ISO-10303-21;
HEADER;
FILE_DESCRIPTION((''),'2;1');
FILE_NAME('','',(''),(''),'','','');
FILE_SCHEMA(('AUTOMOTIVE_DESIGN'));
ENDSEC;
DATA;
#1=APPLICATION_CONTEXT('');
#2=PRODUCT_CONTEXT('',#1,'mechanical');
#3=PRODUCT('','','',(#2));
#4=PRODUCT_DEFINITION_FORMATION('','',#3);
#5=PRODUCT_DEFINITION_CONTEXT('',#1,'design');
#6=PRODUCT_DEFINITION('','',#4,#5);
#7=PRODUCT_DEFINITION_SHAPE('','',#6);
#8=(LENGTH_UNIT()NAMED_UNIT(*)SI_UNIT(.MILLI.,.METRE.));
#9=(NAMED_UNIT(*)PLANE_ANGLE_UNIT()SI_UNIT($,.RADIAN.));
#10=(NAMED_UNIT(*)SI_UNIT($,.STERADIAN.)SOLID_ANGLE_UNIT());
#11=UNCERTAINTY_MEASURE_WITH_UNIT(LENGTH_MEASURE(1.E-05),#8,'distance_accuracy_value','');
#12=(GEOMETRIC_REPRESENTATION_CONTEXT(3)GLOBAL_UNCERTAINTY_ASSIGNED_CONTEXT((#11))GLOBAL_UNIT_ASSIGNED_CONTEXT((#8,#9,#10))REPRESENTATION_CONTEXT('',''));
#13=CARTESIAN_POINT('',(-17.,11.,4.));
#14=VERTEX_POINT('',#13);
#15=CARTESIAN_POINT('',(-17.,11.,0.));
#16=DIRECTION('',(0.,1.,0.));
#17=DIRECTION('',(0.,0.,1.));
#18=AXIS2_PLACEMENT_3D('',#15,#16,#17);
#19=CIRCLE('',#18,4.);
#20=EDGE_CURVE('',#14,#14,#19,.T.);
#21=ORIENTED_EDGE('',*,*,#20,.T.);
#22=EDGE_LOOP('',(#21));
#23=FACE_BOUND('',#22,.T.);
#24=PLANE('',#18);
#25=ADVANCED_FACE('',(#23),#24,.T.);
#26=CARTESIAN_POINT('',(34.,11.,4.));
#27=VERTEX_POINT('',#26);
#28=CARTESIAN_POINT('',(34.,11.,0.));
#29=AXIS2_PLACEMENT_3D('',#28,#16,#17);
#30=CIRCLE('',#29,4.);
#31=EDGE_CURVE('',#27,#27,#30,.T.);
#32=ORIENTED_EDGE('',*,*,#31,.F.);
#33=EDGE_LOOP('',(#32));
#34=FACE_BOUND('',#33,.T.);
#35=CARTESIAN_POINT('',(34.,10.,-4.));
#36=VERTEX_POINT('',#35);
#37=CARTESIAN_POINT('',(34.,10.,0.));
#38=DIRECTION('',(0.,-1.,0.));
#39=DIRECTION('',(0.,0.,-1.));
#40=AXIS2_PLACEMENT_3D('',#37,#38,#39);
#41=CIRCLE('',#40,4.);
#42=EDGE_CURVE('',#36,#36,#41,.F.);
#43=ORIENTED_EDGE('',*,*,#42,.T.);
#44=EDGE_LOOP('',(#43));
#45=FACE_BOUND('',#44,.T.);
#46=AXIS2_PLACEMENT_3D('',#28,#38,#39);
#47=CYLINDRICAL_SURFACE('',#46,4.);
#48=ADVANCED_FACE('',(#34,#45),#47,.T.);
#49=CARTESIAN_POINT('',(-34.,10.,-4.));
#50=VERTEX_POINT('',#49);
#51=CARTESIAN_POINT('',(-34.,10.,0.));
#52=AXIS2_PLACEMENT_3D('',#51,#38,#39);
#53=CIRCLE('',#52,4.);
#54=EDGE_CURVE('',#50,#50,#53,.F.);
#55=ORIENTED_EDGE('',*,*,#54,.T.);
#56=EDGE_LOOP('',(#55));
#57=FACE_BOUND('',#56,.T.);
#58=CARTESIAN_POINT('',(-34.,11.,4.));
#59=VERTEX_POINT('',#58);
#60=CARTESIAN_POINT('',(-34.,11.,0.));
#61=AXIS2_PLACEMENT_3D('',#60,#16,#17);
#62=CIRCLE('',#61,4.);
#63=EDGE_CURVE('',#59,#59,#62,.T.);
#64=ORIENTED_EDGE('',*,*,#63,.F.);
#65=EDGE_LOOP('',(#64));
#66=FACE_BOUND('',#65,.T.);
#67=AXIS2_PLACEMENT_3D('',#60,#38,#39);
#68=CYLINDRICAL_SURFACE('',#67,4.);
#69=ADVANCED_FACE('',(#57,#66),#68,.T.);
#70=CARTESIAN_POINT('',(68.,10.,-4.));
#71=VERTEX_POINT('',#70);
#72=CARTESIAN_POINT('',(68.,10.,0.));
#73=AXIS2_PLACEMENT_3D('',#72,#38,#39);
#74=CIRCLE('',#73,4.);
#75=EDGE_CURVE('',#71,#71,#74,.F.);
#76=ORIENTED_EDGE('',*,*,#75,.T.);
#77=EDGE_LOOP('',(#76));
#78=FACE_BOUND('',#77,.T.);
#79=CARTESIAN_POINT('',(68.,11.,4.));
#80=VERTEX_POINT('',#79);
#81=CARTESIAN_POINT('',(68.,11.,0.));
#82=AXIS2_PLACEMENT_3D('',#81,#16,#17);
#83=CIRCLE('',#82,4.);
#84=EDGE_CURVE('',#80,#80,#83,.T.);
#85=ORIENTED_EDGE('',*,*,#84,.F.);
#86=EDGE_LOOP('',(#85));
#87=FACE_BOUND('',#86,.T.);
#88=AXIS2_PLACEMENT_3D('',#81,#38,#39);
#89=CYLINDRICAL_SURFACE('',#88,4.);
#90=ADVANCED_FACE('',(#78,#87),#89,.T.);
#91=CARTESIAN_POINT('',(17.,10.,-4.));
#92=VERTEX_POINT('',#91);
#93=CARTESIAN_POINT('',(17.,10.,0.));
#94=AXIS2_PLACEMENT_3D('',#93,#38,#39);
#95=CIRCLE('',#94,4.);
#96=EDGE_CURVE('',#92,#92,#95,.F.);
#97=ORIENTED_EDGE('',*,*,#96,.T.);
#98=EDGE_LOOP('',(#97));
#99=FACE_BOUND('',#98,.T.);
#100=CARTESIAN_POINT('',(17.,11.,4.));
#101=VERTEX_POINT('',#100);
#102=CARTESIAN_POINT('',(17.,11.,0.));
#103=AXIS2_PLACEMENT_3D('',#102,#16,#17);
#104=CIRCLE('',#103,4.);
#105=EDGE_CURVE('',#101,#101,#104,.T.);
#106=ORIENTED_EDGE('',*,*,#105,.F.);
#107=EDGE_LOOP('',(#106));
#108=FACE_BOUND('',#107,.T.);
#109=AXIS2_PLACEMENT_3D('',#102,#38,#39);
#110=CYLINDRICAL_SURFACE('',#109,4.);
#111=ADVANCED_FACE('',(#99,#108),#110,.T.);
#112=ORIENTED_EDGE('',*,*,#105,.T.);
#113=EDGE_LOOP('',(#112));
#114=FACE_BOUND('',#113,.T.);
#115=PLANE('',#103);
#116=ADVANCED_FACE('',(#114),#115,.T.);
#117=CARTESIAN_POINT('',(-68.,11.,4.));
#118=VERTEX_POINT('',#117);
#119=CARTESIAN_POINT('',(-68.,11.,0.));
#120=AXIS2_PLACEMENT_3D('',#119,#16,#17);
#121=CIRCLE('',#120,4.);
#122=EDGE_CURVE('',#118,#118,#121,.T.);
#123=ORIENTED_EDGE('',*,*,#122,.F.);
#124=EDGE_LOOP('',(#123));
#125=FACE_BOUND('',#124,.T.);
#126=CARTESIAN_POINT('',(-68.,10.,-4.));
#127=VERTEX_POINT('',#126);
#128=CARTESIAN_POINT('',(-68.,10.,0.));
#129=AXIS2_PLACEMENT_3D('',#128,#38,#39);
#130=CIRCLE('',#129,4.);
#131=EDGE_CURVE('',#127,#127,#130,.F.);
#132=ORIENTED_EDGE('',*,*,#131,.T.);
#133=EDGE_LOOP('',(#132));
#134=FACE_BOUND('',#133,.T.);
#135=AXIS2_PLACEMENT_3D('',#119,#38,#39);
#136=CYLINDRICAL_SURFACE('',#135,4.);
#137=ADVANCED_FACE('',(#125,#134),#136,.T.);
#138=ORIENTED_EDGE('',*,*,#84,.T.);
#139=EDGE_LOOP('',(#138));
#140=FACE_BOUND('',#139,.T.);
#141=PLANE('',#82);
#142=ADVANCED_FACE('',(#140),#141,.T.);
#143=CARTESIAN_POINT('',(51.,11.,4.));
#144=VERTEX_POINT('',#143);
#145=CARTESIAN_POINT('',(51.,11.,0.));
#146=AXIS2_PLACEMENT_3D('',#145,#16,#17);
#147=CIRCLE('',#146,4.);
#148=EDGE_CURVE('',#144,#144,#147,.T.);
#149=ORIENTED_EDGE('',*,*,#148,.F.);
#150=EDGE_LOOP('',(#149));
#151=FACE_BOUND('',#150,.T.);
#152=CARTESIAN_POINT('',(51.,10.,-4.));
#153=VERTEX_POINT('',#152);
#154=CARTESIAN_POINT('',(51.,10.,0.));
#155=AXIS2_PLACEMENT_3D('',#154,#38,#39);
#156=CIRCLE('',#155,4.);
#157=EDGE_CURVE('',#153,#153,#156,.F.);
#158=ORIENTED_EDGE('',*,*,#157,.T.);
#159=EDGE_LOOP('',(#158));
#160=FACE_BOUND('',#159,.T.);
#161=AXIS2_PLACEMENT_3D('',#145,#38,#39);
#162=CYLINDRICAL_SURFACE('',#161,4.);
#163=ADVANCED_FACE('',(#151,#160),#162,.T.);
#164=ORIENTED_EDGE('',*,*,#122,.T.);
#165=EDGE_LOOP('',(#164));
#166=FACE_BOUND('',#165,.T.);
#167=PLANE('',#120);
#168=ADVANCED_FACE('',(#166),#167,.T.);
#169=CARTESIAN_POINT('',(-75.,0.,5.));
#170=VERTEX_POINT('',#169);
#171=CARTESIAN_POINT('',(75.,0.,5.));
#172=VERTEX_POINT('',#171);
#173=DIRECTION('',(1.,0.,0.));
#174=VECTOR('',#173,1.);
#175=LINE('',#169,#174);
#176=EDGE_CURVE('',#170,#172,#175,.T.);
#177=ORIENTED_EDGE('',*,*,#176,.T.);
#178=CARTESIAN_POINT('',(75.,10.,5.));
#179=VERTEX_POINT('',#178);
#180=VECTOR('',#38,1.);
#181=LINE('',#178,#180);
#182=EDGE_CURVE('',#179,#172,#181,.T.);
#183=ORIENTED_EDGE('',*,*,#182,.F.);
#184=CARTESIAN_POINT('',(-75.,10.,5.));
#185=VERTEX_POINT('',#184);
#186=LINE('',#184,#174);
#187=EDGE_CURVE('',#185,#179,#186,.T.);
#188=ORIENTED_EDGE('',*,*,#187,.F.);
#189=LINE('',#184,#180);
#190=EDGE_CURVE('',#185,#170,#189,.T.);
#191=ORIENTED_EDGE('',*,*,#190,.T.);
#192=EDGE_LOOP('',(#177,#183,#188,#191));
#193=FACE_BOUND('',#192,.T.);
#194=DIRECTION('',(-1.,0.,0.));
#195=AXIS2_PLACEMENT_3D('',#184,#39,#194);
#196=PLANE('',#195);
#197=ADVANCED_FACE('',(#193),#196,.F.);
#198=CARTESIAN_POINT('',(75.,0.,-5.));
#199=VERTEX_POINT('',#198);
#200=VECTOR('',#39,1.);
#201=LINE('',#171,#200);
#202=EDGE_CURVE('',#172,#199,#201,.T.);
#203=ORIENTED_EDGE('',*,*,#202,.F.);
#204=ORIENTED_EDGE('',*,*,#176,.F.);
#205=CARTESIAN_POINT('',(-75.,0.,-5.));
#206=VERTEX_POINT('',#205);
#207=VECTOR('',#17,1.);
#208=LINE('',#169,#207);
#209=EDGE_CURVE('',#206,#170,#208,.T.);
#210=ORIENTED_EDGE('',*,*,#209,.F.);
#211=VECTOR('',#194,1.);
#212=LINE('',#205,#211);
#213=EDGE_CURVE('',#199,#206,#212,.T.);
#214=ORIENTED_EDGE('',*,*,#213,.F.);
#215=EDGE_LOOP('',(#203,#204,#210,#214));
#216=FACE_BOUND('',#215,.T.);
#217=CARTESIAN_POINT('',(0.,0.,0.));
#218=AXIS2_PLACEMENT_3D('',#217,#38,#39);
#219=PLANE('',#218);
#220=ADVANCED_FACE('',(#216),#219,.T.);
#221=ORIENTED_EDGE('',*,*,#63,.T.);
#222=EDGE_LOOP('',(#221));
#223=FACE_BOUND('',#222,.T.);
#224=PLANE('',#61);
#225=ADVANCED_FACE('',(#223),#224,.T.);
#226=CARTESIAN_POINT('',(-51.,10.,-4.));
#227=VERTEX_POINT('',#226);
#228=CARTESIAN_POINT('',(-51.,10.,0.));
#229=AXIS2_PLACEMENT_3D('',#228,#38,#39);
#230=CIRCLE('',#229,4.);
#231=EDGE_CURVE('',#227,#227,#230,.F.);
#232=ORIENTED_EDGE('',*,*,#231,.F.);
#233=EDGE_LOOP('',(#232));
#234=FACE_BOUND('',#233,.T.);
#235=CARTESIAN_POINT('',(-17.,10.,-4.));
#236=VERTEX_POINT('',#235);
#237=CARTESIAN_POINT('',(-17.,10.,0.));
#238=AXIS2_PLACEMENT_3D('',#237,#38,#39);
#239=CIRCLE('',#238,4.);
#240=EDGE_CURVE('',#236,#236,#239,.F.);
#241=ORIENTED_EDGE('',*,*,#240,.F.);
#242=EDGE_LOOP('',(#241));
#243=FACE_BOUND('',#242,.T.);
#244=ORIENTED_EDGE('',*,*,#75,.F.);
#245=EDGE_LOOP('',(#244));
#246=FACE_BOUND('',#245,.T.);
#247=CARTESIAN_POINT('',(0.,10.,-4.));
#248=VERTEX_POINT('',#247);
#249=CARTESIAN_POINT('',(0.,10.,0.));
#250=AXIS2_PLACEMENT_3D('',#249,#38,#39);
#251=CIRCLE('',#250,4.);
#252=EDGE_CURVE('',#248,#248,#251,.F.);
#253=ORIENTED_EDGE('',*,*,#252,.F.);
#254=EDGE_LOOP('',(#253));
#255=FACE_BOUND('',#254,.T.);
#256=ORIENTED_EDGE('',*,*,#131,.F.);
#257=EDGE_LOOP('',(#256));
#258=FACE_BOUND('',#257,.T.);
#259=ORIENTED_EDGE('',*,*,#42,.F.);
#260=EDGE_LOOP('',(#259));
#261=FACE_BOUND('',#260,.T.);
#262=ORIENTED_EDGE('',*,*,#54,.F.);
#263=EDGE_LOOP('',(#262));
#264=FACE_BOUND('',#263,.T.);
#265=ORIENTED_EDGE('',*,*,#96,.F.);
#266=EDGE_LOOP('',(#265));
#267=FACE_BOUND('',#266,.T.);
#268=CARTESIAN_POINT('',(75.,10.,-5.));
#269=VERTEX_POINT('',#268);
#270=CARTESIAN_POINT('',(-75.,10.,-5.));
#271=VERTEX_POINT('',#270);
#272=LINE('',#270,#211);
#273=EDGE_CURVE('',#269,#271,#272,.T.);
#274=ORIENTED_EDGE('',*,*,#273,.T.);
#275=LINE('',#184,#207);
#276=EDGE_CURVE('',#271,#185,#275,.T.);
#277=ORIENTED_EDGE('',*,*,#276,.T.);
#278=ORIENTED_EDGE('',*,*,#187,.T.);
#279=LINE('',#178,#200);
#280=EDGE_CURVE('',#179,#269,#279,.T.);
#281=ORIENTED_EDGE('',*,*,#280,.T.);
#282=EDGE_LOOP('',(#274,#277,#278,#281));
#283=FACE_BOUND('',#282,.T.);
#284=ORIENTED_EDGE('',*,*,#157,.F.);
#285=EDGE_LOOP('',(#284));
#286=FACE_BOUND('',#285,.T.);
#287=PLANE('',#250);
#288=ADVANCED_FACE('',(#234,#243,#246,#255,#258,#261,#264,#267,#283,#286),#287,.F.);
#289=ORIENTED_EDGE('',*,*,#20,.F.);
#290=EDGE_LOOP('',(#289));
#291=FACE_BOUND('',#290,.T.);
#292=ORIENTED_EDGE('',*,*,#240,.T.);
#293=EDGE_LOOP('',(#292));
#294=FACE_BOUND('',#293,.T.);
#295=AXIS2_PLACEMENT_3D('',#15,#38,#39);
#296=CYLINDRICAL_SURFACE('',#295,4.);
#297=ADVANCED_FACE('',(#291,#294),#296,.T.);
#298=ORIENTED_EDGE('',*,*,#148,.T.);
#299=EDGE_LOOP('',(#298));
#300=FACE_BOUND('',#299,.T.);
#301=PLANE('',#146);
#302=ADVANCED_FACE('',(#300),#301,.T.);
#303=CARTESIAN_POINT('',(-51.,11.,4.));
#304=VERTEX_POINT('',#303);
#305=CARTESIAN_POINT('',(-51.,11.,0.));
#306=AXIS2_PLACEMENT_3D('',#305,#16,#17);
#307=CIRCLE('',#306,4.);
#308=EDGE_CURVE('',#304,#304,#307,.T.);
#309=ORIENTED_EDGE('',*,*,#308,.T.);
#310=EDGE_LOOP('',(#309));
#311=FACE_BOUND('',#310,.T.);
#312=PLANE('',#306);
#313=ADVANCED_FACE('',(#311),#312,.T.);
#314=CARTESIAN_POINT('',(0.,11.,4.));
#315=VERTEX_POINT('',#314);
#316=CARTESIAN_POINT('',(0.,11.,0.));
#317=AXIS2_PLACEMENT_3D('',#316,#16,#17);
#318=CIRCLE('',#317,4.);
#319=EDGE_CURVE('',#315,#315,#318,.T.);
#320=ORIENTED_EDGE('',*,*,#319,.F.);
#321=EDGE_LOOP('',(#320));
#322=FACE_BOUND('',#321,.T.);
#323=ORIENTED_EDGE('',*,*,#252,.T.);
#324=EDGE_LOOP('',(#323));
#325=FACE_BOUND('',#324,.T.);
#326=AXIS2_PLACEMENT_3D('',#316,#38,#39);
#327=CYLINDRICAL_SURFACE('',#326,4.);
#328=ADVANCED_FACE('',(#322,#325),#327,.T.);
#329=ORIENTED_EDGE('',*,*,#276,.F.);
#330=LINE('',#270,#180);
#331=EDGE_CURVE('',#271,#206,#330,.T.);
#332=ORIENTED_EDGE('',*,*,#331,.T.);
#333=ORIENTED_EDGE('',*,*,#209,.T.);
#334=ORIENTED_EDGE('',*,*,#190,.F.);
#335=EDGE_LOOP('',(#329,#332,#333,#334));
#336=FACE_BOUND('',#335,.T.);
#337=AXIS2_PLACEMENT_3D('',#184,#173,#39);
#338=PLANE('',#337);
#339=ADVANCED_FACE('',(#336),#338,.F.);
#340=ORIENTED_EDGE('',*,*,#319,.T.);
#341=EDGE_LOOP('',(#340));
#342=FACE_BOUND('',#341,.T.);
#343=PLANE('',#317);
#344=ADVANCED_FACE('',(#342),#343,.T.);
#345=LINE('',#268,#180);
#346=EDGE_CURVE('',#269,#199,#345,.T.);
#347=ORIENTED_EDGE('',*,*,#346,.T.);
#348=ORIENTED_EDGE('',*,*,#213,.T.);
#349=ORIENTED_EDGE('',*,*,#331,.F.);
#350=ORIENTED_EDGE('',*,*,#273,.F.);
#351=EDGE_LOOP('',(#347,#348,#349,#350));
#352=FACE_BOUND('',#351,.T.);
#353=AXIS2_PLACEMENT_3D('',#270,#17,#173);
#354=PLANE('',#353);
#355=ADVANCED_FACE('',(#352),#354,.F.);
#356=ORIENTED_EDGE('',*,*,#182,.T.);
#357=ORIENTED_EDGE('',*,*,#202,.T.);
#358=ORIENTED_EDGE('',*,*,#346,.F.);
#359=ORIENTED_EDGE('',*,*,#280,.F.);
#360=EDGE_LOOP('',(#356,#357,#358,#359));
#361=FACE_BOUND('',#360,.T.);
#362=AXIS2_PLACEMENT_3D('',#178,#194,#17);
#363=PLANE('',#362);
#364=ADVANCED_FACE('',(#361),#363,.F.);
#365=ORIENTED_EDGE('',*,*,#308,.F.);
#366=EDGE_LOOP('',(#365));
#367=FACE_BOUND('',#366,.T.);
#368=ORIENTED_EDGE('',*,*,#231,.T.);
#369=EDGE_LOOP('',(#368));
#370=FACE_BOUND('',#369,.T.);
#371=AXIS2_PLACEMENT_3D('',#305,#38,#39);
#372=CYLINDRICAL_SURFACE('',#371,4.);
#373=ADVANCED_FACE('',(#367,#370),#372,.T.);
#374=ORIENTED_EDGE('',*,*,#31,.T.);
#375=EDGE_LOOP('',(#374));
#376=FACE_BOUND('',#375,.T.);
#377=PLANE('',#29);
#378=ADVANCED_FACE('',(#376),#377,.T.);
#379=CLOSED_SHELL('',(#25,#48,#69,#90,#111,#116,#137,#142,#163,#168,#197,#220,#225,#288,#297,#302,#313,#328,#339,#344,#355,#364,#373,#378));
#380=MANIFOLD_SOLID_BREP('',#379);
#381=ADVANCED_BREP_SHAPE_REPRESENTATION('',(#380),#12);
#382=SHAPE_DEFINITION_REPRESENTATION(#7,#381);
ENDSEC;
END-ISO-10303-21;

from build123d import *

# Parameters (mm, degrees)
SKETCH1_W           = 150
SKETCH1_H           = 10
BOSS_EXTRUDE1_DEPTH = 10
SKETCH2_R           = 4
BOSS_EXTRUDE2_DEPTH = 1


with BuildPart() as part:
    # Sketch1 → Boss-Extrude1 (new body)
    with BuildSketch(Plane(origin=(0, 0, 0), x_dir=(1, 0, 0), z_dir=(0, 1, 0))):
        Rectangle(SKETCH1_W, SKETCH1_H)
    extrude(amount=BOSS_EXTRUDE1_DEPTH)

    # Sketch2 → Boss-Extrude2 (add)
    with BuildSketch(Plane(origin=(0, 10, 0), x_dir=(1, 0, 0), z_dir=(0, 1, 0))):
        with Locations(Location((0, 0, 0), (0, 0, 90))):
            Circle(SKETCH2_R)
        with Locations(Location((17, 0, 0), (0, 0, 90))):
            Circle(SKETCH2_R)
        with Locations(Location((34, 0, 0), (0, 0, 90))):
            Circle(SKETCH2_R)
        with Locations(Location((51, 0, 0), (0, 0, 90))):
            Circle(SKETCH2_R)
        with Locations(Location((68, 0, 0), (0, 0, 90))):
            Circle(SKETCH2_R)
        with Locations(Location((-17, 0, 0), (0, 0, 90))):
            Circle(SKETCH2_R)
        with Locations(Location((-34, 0, 0), (0, 0, 90))):
            Circle(SKETCH2_R)
        with Locations(Location((-51, 0, 0), (0, 0, 90))):
            Circle(SKETCH2_R)
        with Locations(Location((-68, 0, 0), (0, 0, 90))):
            Circle(SKETCH2_R)
    extrude(amount=BOSS_EXTRUDE2_DEPTH)


solid = part.part
